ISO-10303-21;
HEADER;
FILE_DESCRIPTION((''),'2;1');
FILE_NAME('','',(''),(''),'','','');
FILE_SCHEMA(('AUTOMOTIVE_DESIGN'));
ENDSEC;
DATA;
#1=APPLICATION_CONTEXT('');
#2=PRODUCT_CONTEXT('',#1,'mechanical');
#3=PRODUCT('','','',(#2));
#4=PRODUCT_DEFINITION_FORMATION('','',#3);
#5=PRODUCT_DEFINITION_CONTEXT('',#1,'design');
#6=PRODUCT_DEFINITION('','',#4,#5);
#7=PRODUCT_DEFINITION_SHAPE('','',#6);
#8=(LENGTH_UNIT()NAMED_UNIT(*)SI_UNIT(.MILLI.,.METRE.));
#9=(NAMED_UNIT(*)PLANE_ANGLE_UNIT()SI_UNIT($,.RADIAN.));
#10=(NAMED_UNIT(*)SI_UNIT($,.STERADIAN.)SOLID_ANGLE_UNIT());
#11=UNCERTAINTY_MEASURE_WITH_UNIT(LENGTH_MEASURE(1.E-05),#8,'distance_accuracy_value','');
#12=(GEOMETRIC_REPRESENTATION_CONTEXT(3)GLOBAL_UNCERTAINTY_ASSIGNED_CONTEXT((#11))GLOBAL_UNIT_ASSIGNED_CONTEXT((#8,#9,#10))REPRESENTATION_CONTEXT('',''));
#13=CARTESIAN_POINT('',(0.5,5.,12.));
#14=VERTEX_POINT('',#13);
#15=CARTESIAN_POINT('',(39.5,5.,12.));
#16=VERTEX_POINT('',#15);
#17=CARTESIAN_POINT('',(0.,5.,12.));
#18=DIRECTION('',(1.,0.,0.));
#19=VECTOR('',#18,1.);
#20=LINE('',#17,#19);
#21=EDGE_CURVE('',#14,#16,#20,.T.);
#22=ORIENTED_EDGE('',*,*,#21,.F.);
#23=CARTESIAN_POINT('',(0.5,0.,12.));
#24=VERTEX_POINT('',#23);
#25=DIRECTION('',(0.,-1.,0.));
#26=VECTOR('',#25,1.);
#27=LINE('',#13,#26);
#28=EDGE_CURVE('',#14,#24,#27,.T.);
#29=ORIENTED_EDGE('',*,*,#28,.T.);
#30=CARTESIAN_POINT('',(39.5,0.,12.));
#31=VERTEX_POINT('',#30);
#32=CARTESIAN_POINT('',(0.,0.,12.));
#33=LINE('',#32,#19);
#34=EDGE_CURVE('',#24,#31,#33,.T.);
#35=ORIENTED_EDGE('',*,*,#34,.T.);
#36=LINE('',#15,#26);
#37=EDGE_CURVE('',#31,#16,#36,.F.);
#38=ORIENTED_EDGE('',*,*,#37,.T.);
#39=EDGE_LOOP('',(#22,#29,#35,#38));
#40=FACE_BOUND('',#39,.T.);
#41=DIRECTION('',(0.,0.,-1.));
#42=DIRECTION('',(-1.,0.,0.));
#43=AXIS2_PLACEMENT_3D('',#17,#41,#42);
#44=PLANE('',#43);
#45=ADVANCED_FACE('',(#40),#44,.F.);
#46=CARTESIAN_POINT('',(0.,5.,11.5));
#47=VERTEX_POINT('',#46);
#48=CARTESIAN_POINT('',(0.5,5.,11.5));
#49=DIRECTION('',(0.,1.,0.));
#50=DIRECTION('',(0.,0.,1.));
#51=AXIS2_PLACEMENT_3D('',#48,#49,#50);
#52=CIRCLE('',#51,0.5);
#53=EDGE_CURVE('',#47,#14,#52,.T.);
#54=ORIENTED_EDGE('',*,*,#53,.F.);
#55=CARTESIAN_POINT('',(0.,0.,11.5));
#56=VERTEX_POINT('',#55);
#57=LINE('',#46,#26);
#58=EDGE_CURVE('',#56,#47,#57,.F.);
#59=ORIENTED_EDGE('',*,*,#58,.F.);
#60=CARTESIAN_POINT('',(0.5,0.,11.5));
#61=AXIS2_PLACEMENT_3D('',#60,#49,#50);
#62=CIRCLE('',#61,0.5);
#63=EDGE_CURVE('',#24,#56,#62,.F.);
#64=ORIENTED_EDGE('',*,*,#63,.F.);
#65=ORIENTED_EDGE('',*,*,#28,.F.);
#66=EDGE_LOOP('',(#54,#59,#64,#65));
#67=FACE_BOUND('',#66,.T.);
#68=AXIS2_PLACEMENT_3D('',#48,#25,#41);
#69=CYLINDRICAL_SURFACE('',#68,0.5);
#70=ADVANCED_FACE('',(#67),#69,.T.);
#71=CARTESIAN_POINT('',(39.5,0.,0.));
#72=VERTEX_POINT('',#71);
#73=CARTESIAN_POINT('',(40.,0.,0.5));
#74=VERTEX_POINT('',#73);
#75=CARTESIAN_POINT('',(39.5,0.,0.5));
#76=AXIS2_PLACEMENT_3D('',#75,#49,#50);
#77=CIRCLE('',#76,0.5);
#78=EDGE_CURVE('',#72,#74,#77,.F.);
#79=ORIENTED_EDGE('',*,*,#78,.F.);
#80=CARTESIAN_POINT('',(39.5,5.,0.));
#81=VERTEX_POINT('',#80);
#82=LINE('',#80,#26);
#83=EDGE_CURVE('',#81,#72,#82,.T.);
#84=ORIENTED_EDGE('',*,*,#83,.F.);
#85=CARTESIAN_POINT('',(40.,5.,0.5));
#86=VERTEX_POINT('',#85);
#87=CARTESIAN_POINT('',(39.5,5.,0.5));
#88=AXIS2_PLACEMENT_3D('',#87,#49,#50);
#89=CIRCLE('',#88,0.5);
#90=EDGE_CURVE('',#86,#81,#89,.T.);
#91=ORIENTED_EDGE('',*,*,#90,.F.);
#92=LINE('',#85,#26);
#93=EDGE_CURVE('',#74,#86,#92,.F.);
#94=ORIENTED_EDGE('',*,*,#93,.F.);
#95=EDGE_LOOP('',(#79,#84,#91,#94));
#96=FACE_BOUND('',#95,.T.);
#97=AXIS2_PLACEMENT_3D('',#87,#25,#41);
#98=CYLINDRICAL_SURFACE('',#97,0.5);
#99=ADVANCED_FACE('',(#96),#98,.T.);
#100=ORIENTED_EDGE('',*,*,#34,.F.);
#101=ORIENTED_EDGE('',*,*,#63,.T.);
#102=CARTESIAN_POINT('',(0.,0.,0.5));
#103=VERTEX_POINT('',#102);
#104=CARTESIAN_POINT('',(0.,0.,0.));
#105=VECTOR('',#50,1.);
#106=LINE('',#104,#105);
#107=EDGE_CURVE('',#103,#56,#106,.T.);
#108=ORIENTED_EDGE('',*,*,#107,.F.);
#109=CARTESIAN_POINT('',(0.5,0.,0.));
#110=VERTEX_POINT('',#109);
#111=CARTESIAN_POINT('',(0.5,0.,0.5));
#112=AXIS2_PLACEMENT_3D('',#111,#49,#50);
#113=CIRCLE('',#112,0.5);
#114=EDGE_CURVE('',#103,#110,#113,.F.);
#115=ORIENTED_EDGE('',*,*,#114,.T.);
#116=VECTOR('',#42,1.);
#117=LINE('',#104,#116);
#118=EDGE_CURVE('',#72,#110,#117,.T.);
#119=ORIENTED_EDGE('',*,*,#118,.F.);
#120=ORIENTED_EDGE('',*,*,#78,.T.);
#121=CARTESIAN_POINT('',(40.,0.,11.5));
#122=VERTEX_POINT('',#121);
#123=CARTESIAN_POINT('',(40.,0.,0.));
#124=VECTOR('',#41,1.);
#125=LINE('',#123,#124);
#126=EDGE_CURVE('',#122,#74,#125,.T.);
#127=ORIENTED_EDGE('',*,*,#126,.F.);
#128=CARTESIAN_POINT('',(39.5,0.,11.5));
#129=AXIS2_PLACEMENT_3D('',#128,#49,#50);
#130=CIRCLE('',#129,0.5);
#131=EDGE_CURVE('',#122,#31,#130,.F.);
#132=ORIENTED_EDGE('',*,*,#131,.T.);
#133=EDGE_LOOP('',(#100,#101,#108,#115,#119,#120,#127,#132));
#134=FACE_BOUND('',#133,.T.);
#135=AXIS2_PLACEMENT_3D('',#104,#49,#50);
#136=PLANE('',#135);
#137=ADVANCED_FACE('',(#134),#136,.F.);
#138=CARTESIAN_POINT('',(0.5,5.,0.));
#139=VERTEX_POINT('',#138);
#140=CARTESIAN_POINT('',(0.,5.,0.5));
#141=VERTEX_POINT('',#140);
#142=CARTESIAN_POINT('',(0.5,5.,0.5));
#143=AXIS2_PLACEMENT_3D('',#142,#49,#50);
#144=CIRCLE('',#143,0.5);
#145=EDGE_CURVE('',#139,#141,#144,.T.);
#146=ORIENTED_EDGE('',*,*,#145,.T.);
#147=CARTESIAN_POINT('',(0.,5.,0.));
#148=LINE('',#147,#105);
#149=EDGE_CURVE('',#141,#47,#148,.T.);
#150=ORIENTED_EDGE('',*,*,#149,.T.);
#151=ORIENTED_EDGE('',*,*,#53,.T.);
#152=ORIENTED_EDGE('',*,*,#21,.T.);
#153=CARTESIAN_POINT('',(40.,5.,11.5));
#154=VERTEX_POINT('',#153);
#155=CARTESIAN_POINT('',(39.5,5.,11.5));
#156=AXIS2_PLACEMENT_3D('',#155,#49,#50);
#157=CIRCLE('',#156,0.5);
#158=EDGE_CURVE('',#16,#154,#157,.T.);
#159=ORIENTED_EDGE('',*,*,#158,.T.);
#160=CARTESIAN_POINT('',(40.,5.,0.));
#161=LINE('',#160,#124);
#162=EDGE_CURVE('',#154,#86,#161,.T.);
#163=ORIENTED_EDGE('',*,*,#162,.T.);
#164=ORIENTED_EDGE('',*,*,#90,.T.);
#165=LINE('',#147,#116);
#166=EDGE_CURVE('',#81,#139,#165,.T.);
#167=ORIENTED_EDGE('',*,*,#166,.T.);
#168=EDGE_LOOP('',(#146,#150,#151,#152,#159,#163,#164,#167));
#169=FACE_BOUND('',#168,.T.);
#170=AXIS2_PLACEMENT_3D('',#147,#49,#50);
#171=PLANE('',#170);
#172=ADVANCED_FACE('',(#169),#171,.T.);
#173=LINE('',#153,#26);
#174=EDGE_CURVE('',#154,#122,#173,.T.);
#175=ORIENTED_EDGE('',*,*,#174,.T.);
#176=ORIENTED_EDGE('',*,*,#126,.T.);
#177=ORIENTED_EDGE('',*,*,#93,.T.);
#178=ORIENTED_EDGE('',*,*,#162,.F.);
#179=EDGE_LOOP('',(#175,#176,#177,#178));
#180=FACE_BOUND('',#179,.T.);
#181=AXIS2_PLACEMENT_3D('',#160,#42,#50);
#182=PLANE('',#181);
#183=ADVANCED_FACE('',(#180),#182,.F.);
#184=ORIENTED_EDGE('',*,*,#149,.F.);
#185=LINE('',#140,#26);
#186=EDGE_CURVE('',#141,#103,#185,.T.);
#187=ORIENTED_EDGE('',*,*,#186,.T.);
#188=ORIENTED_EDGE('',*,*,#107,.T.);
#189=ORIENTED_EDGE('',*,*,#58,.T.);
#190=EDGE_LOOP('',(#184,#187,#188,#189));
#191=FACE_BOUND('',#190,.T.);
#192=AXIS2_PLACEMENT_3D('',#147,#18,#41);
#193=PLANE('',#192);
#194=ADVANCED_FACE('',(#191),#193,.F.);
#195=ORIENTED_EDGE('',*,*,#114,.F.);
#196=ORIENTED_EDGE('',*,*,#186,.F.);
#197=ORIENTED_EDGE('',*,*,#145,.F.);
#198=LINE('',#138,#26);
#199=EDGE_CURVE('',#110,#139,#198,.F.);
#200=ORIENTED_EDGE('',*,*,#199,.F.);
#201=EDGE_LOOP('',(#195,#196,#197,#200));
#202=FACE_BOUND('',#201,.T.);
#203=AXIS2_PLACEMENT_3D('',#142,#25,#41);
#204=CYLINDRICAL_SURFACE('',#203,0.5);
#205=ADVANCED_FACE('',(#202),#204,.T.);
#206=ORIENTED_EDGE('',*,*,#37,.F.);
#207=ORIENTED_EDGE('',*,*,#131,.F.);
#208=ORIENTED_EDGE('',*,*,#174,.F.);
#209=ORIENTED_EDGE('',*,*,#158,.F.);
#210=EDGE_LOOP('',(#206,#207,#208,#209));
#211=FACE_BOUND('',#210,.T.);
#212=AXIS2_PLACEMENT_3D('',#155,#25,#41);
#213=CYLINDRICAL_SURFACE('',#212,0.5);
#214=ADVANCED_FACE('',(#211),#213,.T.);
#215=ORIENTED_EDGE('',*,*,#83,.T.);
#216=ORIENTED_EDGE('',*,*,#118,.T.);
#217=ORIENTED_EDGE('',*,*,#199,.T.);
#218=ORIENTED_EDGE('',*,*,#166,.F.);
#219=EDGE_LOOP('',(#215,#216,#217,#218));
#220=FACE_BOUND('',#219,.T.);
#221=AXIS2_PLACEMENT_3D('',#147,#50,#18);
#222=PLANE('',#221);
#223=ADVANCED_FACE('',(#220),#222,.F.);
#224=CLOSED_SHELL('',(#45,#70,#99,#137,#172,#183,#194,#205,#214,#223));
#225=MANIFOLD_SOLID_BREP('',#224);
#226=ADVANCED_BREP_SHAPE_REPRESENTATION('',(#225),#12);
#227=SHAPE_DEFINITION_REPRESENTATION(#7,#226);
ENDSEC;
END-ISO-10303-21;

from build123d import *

# Parameters (mm, degrees)
SKETCH_1_W      = 40
SKETCH_1_H      = 12
EXTRUDE_1_DEPTH = 5
FILLET_1_R      = 0.5


with BuildPart() as part:
    # 草图1 → 凸台-拉伸1 (new body)
    with BuildSketch(Plane(origin=(0, 0, 0), x_dir=(1, 0, 0), z_dir=(0, 1, 0))):
        with Locations((20, -6)):
            Rectangle(SKETCH_1_W, SKETCH_1_H)
    extrude(amount=EXTRUDE_1_DEPTH)

    # 圆角1
    fillet_1_edges = [part.edges().sort_by_distance(p)[0] for p in [
        (0, 2.5, 0),
        (40, 2.5, 0),
        (40, 2.5, 12),
        (0, 2.5, 12),
    ]]
    fillet(fillet_1_edges, radius=FILLET_1_R)


solid = part.part
